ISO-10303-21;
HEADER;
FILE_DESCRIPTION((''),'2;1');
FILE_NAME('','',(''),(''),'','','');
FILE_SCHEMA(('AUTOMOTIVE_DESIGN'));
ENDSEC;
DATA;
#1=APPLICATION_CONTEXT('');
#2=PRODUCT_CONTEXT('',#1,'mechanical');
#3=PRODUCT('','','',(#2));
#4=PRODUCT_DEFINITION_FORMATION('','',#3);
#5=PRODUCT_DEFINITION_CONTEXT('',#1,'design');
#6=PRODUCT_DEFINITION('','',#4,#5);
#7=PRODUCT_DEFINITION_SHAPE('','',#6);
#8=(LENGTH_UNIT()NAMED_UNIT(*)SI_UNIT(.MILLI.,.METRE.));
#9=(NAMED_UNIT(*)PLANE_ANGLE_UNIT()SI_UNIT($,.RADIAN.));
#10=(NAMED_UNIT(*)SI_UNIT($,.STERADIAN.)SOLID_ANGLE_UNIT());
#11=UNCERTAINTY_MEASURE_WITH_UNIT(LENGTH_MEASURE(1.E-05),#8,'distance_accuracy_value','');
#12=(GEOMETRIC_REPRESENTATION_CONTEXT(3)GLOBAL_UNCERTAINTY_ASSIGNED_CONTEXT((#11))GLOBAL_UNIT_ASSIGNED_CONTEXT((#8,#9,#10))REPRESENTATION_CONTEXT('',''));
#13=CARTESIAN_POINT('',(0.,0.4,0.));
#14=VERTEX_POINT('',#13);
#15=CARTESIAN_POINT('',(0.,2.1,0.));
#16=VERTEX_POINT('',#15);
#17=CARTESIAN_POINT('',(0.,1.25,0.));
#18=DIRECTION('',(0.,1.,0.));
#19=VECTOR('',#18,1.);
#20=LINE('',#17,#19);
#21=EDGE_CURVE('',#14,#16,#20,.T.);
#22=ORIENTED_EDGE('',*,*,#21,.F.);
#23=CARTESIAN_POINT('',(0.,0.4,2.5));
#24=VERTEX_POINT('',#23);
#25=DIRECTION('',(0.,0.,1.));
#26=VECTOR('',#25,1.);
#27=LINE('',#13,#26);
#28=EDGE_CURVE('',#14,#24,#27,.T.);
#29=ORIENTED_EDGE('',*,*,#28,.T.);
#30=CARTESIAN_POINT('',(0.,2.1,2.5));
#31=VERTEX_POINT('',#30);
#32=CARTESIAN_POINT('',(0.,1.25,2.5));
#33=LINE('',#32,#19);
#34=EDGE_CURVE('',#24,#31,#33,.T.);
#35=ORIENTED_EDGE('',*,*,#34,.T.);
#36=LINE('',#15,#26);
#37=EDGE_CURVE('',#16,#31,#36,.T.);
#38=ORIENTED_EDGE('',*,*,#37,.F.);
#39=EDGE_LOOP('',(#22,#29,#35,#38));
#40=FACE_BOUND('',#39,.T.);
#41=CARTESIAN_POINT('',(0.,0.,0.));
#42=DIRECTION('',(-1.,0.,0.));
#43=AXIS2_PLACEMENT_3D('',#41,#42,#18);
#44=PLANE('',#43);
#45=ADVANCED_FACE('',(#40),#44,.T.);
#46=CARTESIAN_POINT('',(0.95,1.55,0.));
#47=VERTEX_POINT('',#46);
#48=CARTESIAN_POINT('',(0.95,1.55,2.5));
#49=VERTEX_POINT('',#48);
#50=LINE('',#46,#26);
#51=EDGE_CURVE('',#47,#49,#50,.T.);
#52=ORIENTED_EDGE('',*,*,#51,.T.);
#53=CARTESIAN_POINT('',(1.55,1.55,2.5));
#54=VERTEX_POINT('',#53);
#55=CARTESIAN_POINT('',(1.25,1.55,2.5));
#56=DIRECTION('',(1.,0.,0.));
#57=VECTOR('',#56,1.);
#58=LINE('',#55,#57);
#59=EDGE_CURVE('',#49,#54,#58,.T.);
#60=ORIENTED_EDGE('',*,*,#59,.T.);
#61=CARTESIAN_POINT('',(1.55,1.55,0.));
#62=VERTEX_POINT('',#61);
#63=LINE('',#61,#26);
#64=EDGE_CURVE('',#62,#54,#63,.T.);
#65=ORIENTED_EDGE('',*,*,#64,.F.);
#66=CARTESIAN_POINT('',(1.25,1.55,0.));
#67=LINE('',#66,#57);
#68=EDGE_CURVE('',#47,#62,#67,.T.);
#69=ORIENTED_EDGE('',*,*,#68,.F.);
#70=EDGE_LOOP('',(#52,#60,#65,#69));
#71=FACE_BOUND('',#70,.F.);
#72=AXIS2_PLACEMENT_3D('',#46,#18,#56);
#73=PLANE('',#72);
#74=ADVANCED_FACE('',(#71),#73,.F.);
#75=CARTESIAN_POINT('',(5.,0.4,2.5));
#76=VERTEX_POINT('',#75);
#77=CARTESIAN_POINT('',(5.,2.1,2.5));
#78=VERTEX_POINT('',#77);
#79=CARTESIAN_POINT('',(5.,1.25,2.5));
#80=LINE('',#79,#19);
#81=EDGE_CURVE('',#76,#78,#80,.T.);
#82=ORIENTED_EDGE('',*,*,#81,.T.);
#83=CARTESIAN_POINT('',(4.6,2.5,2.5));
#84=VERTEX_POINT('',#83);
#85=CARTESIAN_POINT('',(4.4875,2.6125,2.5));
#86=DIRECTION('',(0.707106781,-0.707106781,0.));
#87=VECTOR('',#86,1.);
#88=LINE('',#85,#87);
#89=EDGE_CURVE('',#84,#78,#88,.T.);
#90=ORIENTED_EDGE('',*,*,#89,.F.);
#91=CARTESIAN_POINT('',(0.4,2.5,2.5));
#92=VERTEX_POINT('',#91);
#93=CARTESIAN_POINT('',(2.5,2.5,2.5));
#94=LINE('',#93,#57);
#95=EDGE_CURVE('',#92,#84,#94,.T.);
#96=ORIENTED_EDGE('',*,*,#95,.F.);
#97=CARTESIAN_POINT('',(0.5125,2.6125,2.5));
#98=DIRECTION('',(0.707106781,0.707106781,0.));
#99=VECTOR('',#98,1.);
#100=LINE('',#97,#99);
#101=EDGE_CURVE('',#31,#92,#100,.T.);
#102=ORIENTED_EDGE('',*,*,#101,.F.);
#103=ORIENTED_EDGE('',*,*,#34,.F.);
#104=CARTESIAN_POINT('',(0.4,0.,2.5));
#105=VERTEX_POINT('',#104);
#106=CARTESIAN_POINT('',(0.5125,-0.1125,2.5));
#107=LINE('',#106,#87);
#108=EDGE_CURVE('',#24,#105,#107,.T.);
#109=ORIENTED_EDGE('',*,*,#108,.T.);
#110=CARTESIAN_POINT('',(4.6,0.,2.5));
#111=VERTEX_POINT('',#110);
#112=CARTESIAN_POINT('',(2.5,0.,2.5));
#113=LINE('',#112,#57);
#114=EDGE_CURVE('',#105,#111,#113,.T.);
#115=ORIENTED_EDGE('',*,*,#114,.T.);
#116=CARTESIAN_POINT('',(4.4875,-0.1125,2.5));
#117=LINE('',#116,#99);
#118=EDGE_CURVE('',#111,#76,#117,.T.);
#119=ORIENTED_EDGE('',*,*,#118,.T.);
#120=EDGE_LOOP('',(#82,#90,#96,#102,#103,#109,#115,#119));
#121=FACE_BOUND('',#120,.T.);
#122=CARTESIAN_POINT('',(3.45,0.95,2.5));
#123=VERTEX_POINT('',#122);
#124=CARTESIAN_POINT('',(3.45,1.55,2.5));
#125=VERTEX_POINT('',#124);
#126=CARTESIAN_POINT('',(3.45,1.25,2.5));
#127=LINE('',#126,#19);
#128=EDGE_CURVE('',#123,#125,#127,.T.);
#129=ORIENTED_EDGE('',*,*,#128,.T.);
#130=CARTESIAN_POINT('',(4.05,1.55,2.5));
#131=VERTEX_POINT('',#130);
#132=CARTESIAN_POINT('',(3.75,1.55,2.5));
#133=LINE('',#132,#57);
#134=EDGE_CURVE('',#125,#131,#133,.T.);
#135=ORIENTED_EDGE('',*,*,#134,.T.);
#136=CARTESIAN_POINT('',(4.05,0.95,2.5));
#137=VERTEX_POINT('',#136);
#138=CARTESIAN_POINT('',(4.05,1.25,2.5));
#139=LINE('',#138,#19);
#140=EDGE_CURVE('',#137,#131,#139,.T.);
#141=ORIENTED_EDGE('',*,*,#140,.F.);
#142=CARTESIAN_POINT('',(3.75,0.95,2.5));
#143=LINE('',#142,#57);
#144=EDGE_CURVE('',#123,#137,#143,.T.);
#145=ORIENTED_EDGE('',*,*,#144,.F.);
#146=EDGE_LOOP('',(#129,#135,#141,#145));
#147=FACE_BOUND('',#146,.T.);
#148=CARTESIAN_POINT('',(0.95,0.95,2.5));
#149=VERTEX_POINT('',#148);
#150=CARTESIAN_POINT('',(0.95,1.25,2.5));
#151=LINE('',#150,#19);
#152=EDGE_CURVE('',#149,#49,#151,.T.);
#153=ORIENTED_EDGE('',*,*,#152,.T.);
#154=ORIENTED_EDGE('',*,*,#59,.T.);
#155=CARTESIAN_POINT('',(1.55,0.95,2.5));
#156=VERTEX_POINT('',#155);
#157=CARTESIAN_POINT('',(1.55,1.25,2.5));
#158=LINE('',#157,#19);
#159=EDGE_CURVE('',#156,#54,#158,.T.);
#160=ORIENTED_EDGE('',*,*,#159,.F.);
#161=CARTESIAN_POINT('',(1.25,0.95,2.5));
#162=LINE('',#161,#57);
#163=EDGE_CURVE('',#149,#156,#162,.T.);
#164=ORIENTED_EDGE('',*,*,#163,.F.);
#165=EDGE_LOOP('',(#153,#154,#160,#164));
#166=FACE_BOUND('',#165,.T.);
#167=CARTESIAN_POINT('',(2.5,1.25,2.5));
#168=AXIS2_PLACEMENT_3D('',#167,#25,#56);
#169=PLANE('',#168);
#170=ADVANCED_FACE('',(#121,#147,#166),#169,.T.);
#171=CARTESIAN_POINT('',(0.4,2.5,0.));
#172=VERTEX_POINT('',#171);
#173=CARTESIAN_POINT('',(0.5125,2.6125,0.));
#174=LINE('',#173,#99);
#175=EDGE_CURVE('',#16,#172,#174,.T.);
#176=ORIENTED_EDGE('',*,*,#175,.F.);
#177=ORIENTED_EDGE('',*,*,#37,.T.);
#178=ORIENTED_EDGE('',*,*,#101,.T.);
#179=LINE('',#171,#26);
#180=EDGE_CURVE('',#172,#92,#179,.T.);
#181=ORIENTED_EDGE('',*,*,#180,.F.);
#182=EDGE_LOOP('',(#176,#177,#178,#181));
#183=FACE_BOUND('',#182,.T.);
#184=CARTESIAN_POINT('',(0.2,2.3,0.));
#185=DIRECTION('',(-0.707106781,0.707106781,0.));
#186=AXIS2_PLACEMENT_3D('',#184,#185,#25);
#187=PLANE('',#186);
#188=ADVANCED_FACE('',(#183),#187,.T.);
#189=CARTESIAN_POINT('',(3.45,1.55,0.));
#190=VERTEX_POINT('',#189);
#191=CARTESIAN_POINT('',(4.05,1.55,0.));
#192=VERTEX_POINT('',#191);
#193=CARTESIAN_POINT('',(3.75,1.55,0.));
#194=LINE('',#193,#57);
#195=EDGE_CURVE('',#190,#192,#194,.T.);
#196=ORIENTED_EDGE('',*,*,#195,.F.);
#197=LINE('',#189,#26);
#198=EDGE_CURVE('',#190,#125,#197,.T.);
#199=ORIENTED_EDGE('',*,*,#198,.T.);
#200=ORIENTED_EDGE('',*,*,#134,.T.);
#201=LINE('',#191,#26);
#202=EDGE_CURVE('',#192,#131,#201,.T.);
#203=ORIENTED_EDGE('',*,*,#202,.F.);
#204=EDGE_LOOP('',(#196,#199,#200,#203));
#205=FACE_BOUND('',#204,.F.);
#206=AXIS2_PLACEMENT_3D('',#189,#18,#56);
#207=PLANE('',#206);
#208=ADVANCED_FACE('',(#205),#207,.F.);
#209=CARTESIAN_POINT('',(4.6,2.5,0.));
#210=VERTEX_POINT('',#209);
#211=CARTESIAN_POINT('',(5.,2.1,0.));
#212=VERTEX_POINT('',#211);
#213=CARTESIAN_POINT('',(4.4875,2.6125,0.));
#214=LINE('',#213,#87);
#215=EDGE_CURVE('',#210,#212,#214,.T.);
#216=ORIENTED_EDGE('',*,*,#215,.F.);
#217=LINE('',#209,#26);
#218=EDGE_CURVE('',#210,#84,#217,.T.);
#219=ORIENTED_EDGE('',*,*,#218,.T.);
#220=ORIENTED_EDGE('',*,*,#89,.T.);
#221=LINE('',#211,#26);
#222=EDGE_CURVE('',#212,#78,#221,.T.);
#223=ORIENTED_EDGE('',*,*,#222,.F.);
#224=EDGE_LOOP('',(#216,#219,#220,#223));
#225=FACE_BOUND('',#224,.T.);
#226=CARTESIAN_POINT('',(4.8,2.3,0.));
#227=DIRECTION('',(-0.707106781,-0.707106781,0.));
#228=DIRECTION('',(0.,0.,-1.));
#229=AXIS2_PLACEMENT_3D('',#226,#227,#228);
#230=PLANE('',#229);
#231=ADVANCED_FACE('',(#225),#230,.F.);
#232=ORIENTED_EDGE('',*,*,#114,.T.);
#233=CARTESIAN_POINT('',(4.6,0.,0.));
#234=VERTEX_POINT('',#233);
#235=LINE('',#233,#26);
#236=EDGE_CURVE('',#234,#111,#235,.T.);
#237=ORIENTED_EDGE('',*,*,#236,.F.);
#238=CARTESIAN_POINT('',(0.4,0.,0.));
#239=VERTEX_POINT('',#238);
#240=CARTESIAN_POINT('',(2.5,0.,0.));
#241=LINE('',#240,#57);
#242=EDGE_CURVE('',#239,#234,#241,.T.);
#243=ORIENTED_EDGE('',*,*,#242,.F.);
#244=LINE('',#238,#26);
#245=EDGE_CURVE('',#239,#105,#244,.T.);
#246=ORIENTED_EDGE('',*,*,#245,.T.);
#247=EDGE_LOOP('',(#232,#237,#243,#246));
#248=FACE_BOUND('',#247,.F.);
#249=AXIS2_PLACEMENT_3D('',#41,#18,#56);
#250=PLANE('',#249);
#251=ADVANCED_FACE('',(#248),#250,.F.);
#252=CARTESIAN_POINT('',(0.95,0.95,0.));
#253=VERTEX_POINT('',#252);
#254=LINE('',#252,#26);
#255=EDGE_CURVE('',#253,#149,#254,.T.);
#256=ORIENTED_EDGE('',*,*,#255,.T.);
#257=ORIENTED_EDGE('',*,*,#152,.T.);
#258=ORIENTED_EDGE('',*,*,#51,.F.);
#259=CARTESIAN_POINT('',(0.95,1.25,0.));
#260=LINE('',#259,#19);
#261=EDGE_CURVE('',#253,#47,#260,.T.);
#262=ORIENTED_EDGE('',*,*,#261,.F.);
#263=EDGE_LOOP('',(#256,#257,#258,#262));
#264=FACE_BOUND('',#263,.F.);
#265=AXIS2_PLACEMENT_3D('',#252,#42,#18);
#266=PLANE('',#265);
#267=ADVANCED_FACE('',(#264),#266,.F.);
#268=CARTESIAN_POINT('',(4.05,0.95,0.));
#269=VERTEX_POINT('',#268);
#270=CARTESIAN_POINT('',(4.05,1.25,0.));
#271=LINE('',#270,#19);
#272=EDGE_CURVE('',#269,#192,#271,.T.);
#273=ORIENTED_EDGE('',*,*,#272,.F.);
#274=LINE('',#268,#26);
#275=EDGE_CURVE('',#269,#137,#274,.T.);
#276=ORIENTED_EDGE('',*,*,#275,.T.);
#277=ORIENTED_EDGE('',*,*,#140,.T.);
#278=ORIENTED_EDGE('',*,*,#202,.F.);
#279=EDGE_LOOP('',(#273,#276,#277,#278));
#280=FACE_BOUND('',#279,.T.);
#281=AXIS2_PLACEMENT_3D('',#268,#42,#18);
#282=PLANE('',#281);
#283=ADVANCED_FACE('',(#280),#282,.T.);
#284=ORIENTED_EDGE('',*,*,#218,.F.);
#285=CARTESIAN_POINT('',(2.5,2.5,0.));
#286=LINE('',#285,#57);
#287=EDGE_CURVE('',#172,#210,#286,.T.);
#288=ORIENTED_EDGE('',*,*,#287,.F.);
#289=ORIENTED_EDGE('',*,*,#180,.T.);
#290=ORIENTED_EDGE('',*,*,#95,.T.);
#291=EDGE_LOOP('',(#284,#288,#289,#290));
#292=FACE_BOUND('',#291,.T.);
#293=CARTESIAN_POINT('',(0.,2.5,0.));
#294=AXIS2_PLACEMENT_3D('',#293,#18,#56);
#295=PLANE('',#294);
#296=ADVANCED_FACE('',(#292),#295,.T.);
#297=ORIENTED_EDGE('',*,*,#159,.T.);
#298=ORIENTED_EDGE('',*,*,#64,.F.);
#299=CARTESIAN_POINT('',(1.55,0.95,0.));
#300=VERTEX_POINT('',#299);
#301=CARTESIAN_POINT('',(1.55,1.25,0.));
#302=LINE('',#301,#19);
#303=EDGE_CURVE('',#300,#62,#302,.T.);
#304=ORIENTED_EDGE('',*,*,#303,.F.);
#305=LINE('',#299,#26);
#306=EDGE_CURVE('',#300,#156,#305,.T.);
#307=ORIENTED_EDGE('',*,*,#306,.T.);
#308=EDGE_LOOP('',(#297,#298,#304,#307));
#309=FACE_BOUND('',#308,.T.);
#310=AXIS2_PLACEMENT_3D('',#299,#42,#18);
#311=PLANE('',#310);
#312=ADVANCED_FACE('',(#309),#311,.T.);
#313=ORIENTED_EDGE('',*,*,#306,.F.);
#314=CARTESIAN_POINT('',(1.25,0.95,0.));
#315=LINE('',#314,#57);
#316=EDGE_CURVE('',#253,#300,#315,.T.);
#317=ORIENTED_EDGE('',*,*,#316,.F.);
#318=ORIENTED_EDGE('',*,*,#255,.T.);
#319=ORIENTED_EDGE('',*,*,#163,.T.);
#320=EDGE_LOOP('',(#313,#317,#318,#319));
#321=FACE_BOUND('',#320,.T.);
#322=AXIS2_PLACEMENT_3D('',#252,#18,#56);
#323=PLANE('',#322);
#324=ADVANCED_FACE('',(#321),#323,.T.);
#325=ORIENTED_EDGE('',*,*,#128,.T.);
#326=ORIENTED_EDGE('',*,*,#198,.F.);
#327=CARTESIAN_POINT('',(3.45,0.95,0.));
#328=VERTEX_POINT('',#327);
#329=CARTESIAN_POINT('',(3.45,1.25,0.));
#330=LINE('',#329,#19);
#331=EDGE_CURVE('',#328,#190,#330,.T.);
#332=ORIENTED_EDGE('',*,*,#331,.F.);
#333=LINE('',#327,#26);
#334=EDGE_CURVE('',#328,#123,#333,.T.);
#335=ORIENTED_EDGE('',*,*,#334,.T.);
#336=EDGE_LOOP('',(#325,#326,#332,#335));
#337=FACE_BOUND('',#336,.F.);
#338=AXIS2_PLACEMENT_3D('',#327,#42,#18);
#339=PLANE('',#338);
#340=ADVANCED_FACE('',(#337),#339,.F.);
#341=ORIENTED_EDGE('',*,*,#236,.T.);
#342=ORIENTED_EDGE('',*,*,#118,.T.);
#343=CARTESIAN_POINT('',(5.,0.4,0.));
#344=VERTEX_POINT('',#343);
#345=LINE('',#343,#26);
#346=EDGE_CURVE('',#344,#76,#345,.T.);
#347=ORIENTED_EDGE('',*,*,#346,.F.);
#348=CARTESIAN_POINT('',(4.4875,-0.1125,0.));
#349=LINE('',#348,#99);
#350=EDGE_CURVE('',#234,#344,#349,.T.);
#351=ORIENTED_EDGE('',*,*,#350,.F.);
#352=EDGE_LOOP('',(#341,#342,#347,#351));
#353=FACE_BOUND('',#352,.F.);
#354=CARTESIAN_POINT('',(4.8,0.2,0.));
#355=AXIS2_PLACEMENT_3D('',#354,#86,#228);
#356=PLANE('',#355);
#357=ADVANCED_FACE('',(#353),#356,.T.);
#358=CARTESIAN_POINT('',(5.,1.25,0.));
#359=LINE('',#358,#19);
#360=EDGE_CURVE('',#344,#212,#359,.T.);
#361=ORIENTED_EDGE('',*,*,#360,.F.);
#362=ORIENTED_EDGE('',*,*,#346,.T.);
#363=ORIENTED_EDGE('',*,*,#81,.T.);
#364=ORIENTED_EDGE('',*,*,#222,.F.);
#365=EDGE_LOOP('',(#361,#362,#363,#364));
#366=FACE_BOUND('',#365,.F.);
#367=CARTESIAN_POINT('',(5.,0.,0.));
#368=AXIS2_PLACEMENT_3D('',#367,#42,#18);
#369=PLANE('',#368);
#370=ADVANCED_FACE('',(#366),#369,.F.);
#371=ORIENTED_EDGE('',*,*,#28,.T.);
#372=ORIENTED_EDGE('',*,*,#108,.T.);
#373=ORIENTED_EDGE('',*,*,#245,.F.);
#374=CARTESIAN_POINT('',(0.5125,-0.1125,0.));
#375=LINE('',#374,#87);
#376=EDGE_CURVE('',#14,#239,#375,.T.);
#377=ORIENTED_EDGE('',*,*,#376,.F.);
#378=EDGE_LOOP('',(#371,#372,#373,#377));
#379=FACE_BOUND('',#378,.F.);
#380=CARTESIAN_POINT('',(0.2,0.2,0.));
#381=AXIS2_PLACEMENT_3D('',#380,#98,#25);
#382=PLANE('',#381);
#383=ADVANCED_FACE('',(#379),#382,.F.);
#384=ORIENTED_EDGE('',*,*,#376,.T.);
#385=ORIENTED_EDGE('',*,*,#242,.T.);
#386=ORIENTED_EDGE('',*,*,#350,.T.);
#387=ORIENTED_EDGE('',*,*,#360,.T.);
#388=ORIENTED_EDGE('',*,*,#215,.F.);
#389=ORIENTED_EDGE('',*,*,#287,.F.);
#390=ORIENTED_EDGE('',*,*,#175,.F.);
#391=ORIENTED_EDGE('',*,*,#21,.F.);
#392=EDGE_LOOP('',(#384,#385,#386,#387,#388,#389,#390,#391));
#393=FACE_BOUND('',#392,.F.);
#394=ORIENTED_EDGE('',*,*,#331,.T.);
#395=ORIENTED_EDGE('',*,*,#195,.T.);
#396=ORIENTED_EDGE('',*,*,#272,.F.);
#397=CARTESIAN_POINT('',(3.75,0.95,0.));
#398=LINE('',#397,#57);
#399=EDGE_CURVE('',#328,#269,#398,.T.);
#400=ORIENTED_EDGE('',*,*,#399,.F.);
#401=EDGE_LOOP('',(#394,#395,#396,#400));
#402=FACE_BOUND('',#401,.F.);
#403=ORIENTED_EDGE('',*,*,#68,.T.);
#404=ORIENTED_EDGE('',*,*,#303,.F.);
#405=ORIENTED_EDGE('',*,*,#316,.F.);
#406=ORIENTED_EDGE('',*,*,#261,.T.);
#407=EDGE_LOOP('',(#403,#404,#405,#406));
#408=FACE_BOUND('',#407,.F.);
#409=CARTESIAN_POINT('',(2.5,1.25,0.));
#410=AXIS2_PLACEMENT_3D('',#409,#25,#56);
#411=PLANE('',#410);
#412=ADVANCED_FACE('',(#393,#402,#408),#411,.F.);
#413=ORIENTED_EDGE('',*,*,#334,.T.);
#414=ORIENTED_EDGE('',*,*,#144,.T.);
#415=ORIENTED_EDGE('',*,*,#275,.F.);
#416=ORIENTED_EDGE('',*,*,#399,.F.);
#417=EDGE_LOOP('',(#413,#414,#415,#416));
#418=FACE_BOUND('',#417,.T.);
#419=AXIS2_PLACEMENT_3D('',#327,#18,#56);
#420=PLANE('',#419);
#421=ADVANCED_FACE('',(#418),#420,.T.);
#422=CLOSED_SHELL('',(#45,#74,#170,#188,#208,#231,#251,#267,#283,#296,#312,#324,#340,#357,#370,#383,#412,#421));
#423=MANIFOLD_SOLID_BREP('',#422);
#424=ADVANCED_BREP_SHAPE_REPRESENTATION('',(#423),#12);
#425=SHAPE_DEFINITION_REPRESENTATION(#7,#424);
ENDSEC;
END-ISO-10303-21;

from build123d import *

# Parameters (mm, degrees)
F0_W     = 5
F0_H     = 2.5
F0_W_2   = 0.6
F0_H_2   = 0.6
F1_DEPTH = 2.5
F2_SIZE  = 0.4


with BuildPart() as f1:
    # F0 (on Top) → F1 (new body)
    with BuildSketch(Plane.XY):
        with Locations((2.5, 1.25)):
            Rectangle(F0_W, F0_H)
        with Locations((1.25, 1.25)):
            Rectangle(F0_W_2, F0_H_2, mode=Mode.SUBTRACT)
        with Locations((3.75, 1.25)):
            Rectangle(F0_W_2, F0_H_2, mode=Mode.SUBTRACT)
    extrude(amount=F1_DEPTH)

    # F2
    f2_edges = [f1.edges().sort_by_distance(p)[0] for p in [
        (0, 2.5, 1.25),
        (0, 0, 1.25),
        (5, 0, 1.25),
        (5, 2.5, 1.25),
    ]]
    chamfer(f2_edges, length=F2_SIZE)


solid = f1.part
